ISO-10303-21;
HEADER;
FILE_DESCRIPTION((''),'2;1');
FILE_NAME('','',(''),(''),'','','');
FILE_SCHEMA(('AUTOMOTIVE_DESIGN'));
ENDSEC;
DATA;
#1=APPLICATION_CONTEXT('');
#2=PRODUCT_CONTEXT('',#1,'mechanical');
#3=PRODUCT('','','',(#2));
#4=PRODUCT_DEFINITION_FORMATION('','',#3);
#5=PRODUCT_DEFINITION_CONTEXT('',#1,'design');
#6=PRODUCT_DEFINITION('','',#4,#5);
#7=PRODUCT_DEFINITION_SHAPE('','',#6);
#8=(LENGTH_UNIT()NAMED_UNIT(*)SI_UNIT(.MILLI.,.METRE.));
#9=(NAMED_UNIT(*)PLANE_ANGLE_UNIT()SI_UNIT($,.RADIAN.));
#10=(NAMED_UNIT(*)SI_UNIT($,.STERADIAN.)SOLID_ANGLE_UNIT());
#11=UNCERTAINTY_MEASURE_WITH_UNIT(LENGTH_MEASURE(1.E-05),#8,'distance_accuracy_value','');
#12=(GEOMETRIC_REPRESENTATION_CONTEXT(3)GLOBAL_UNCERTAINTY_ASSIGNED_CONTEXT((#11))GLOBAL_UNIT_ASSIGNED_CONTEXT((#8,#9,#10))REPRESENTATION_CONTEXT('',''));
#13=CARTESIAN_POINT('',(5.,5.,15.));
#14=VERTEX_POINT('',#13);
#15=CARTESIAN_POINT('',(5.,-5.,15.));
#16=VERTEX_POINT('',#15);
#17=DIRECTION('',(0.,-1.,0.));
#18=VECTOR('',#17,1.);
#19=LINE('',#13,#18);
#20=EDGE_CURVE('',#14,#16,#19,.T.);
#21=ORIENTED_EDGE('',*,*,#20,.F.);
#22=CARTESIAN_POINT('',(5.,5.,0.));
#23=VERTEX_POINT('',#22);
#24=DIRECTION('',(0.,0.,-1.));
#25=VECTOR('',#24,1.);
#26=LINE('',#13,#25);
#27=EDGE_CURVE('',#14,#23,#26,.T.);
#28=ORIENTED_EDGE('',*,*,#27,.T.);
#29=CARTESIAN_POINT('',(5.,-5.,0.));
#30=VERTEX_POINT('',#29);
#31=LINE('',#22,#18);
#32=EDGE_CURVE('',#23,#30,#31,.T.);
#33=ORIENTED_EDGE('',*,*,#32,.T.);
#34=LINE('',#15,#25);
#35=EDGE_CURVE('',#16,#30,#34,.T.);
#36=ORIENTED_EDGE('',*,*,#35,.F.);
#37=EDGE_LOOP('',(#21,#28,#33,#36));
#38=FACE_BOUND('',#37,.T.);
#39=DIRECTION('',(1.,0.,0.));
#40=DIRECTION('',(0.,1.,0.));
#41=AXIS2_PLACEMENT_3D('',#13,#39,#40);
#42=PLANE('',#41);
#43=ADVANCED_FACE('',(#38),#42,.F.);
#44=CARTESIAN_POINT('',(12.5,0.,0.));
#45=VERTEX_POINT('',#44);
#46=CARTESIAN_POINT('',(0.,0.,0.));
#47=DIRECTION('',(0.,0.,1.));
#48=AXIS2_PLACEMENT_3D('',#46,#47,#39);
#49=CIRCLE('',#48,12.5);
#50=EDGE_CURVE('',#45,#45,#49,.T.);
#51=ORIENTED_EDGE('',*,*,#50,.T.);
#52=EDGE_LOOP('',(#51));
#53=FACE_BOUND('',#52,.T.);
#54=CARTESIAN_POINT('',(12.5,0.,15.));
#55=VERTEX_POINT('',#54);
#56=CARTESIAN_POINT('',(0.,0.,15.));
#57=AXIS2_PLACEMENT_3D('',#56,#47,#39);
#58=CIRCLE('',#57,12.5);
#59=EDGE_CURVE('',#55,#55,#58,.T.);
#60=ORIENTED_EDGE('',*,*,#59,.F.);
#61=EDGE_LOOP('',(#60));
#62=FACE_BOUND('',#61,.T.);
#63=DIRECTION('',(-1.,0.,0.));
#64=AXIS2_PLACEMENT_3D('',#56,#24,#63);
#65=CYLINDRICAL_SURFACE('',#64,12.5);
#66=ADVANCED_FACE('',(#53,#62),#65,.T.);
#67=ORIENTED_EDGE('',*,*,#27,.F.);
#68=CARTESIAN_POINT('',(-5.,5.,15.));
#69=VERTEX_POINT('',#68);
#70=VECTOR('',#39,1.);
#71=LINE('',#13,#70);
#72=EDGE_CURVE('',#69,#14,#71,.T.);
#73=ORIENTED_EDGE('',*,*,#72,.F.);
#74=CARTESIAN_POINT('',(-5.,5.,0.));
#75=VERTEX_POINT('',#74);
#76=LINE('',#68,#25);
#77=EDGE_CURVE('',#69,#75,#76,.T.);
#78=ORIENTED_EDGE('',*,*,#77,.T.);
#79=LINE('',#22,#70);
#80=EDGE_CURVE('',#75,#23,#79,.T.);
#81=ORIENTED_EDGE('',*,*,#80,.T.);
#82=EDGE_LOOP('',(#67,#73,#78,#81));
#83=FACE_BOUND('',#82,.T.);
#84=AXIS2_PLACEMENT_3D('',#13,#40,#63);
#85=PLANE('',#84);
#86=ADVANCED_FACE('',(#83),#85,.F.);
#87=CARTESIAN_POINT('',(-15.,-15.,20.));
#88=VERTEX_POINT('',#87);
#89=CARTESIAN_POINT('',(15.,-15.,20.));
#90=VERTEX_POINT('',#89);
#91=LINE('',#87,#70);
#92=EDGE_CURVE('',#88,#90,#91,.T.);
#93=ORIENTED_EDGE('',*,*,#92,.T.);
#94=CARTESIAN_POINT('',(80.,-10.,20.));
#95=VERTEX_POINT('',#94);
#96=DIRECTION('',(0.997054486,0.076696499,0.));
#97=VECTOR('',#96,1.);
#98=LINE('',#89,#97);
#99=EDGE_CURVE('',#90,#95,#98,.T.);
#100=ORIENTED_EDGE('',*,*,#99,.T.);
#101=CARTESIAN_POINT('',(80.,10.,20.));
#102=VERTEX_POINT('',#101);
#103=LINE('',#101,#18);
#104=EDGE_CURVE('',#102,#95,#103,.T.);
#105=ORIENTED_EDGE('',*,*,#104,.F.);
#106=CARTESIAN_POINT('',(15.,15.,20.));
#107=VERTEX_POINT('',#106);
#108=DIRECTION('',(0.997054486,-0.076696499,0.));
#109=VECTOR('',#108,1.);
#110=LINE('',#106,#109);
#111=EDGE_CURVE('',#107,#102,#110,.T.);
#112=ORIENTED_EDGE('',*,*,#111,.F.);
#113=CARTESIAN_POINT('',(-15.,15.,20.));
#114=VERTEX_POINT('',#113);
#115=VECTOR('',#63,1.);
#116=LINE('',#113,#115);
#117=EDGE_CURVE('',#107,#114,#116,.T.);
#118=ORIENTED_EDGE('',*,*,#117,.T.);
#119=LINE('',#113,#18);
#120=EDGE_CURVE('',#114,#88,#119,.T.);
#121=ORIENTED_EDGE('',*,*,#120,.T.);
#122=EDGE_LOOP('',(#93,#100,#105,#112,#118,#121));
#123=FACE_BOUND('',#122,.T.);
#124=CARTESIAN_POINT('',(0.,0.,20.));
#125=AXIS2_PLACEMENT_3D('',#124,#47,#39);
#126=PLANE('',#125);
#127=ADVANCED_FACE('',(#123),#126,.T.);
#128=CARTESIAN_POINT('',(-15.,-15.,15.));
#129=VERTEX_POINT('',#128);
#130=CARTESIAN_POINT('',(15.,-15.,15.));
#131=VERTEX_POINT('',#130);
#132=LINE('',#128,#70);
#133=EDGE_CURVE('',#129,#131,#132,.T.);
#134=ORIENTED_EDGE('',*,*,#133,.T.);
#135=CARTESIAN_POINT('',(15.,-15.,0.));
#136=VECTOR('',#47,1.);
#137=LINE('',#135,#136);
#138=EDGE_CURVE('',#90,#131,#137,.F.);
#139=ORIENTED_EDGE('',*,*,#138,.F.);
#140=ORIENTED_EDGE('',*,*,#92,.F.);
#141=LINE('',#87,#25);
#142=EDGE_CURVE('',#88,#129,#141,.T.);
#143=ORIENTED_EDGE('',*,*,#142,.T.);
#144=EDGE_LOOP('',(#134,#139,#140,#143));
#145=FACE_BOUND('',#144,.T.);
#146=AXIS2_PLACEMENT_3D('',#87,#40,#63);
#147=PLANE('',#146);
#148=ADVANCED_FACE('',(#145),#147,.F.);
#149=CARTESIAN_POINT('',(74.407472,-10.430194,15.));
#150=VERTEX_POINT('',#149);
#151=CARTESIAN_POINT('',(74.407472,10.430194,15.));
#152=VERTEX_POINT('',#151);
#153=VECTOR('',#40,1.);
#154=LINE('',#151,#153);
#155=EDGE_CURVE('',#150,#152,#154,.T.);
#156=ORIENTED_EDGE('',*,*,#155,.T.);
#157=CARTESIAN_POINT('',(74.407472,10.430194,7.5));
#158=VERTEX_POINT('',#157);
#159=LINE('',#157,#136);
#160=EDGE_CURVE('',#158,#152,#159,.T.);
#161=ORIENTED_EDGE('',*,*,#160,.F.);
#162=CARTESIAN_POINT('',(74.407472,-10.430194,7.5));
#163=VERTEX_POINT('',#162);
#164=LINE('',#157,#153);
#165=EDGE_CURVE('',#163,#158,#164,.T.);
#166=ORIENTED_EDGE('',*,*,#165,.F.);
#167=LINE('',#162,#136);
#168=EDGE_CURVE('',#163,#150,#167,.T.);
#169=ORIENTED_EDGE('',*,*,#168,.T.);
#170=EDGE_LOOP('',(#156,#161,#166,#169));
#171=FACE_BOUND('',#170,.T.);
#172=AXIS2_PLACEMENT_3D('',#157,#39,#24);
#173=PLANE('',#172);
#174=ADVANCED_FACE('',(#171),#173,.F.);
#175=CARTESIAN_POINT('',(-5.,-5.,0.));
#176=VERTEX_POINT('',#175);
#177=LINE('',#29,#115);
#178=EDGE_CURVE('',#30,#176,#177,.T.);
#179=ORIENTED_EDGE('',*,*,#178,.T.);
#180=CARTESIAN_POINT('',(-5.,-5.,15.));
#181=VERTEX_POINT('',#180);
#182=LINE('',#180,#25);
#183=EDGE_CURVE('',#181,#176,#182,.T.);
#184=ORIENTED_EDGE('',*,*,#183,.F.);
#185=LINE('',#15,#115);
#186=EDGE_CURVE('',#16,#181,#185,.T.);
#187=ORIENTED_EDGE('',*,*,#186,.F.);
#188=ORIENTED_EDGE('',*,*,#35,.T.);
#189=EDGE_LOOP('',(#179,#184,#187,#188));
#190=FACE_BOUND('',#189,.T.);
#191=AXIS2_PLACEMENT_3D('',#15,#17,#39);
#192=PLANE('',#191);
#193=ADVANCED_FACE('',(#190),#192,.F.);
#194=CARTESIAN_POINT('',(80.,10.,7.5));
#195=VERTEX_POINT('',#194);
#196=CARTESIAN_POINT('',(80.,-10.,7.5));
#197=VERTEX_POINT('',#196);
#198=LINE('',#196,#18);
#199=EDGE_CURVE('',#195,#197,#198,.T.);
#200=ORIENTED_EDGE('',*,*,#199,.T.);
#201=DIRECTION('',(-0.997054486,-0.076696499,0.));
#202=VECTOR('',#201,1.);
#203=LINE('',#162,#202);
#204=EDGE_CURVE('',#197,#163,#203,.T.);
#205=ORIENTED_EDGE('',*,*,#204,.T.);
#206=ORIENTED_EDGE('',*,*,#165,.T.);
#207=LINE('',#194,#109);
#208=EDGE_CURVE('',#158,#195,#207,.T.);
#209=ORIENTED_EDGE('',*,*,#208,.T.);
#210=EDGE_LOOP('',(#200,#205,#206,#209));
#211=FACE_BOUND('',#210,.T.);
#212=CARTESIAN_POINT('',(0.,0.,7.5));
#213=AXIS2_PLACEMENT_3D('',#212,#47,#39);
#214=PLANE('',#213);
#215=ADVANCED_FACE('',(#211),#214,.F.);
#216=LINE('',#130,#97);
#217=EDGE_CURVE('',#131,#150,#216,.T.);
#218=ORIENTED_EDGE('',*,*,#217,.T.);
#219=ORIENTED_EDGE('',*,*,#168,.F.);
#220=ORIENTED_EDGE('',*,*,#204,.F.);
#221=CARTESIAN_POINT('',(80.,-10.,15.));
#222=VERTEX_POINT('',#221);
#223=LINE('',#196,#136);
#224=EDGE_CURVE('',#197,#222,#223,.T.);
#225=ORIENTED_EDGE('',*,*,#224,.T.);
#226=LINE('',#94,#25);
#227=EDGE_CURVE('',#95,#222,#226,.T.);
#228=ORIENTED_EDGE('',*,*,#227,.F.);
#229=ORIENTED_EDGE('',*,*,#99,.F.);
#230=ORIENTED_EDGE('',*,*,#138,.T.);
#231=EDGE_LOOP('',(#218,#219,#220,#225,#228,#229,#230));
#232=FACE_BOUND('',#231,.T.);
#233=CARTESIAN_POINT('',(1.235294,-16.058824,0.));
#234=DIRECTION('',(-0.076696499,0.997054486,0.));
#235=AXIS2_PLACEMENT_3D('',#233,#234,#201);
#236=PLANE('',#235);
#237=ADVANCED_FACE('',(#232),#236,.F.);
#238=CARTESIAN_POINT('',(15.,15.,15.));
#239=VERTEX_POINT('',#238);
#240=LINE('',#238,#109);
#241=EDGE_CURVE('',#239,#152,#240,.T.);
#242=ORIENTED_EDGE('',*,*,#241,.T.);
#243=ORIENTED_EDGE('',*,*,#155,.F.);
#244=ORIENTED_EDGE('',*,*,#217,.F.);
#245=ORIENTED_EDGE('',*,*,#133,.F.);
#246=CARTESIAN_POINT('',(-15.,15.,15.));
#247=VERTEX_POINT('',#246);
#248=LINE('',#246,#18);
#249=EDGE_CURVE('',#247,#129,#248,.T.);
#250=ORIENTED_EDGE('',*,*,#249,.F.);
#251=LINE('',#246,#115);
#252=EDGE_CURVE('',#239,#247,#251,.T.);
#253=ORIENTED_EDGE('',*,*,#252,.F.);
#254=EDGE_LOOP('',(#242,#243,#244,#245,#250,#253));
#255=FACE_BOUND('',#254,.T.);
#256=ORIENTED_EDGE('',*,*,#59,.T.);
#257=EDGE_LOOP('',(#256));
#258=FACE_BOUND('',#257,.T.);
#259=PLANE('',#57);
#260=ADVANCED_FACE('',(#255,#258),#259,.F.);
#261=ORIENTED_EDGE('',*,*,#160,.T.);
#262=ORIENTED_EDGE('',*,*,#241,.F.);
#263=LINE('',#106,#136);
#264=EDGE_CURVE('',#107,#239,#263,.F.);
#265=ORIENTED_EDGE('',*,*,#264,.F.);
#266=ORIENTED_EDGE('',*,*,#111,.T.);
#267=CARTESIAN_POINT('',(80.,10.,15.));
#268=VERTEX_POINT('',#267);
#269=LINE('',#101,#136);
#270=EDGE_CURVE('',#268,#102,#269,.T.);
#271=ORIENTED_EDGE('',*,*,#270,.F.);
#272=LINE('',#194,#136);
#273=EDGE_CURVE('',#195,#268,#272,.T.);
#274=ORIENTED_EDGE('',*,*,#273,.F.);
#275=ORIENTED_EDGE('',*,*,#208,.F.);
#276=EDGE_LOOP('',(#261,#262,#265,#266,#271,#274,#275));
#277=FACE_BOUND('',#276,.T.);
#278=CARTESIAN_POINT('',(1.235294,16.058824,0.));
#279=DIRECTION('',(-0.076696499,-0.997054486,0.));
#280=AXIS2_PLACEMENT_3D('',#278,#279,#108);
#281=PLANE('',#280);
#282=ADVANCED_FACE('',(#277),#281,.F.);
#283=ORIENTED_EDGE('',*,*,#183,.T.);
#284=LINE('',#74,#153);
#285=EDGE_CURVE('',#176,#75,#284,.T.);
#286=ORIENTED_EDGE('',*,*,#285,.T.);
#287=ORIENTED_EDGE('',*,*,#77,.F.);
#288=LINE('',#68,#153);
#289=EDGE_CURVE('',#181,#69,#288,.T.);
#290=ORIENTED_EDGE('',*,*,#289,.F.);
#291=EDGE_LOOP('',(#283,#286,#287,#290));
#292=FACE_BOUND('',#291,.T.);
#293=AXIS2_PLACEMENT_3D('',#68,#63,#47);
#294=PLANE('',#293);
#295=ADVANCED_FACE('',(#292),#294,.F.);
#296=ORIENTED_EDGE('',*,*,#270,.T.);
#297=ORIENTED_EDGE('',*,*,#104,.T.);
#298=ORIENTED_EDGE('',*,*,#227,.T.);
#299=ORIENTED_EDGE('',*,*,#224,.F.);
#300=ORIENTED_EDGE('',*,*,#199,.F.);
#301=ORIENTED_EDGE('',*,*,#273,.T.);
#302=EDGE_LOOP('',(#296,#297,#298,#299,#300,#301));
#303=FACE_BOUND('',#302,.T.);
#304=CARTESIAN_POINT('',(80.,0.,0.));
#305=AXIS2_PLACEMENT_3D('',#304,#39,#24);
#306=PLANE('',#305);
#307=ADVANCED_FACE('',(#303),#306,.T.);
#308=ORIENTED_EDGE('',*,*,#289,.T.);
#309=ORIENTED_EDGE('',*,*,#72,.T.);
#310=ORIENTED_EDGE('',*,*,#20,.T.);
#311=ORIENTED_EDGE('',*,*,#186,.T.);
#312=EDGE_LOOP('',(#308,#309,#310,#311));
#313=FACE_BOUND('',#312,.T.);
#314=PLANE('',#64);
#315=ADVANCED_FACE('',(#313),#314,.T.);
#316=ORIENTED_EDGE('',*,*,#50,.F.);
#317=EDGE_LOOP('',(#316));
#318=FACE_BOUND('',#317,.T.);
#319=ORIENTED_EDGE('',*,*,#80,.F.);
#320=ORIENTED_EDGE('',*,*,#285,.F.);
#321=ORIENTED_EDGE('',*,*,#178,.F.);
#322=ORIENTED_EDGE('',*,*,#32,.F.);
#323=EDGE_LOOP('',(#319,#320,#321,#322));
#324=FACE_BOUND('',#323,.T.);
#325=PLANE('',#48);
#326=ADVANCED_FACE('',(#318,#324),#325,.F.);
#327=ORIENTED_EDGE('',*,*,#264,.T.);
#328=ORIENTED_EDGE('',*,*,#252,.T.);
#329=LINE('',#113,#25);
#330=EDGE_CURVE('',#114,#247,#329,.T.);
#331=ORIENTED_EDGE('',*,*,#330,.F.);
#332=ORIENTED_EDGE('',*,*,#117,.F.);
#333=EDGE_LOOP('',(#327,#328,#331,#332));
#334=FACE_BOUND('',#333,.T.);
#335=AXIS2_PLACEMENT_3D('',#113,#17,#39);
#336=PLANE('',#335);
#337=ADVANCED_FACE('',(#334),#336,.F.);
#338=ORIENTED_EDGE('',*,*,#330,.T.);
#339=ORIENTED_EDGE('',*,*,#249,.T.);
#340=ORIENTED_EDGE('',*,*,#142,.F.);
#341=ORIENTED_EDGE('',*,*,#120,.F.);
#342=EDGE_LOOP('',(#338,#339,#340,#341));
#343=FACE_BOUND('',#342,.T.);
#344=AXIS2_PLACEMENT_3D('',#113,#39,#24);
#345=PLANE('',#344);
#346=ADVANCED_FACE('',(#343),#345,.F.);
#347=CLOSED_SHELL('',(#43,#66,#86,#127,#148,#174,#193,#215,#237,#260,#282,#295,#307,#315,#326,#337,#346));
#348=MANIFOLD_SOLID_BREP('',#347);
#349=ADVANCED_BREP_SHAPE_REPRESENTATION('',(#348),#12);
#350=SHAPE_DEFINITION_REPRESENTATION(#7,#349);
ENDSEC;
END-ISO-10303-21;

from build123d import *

# Parameters (mm, degrees)
SKETCH2_R           = 12.5
BOSS_EXTRUDE1_DEPTH = 15
SKETCH3_W           = 30
SKETCH3_H           = 30
BOSS_EXTRUDE2_DEPTH = 5
SKETCH6_W           = 10
SKETCH6_H           = 10
CUT_EXTRUDE1_DEPTH  = 15
BOSS_EXTRUDE3_DEPTH = 7.5


with BuildPart() as part:
    # Sketch2 → Boss-Extrude1 (new body)
    with BuildSketch(Plane.XY):
        Circle(SKETCH2_R)
    extrude(amount=BOSS_EXTRUDE1_DEPTH)

    # Sketch3 → Boss-Extrude2 (add)
    with BuildSketch(Plane.XY.offset(15)):
        Rectangle(SKETCH3_W, SKETCH3_H)
    extrude(amount=BOSS_EXTRUDE2_DEPTH)

    # Sketch5 → Loft1 section 0
    with BuildSketch(Plane(origin=(15, 0, 0), x_dir=(0, 0, -1), z_dir=(1, 0, 0))):
        with BuildLine():
            Line((-20, 15), (-15, 15))
            Line((-15, 15), (-15, -15))
            Line((-15, -15), (-20, -15))
            Line((-20, -15), (-20, 15))
        make_face()
    # Sketch4 → Loft1 section 1
    with BuildSketch(Plane(origin=(80, 0, 0), x_dir=(0, 0, -1), z_dir=(1, 0, 0))):
        with BuildLine():
            Line((-20, 10), (-15, 10))
            Line((-15, 10), (-15, -10))
            Line((-15, -10), (-20, -10))
            Line((-20, -10), (-20, 10))
        make_face()
    loft()

    # Sketch6 → Cut-Extrude1 (cut)
    with BuildSketch(Plane(origin=(0, 0, 0), x_dir=(-1, 0, 0), z_dir=(0, 0, -1))):
        Rectangle(SKETCH6_W, SKETCH6_H)
    extrude(amount=-CUT_EXTRUDE1_DEPTH, mode=Mode.SUBTRACT)

    # Sketch7 → Boss-Extrude3 (add)
    with BuildSketch(Plane(origin=(0, 0, 15), x_dir=(-1, 0, 0), z_dir=(0, 0, -1))):
        Polygon((-74.407472361, 10.430194434), (-74.407472361, -10.430194434), (-80, -10), (-80, 10), align=None)
    extrude(amount=BOSS_EXTRUDE3_DEPTH)


solid = part.part
